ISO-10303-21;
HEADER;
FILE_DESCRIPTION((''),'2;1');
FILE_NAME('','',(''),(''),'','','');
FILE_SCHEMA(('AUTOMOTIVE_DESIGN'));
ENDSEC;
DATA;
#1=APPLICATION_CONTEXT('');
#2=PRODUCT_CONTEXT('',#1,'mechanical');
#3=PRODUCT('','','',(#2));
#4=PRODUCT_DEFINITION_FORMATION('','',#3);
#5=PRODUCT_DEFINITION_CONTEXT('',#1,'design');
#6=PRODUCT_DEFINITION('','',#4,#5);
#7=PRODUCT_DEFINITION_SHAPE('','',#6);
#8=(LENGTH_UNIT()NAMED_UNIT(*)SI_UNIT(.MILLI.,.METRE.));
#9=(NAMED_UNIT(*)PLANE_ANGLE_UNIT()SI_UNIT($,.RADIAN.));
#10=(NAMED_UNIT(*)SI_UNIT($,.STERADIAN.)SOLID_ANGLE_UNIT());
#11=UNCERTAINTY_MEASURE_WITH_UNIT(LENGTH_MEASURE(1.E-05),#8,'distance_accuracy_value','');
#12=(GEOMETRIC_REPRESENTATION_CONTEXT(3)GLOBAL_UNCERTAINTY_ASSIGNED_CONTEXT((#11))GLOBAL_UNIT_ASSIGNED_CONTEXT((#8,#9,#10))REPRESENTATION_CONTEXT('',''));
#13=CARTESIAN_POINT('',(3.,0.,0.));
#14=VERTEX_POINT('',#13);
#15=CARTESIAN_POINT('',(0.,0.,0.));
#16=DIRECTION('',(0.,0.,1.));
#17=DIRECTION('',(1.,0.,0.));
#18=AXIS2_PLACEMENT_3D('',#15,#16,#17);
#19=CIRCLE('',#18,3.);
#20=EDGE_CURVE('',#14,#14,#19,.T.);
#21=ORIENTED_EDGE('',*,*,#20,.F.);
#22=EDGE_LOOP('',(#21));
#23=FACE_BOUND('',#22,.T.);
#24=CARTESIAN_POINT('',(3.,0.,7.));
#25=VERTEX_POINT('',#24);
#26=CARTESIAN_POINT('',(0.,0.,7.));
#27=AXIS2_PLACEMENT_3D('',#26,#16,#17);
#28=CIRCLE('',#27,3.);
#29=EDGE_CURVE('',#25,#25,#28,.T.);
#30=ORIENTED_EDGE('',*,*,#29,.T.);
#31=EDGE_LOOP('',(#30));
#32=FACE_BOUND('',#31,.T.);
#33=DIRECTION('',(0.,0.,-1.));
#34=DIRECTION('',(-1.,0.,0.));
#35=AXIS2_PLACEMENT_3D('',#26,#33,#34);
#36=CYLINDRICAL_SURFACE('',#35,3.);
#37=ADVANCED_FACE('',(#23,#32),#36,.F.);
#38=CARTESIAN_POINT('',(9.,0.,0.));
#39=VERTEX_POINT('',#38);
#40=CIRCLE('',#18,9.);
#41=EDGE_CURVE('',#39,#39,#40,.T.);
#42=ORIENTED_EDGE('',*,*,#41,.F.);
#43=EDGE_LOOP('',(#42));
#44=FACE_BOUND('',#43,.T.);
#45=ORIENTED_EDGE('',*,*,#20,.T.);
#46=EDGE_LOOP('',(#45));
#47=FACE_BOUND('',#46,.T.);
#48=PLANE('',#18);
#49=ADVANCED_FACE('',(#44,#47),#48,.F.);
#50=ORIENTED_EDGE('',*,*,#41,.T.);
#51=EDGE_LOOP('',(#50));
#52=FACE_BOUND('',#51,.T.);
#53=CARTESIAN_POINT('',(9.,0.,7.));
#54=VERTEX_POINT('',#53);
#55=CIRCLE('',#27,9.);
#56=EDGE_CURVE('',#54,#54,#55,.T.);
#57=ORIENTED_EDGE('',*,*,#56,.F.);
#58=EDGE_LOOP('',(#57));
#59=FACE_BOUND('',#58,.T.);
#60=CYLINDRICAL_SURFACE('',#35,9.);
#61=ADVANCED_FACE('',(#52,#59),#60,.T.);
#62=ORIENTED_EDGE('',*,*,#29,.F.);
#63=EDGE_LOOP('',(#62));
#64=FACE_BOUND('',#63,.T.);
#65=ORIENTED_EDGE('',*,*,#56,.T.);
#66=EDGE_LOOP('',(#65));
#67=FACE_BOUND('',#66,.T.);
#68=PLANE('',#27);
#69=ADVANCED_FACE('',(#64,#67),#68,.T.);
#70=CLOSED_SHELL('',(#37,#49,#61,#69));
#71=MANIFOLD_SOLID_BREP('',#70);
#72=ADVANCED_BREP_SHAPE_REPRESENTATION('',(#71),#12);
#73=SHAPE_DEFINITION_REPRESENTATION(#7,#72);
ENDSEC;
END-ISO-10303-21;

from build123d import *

# Parameters (mm, degrees)
SKETCH_1_R      = 9
SKETCH_1_R_2    = 3
EXTRUDE_1_DEPTH = 7


with BuildPart() as part:
    # 草图1 → 凸台-拉伸1 (new body)
    with BuildSketch(Plane.XY):
        Circle(SKETCH_1_R)
        Circle(SKETCH_1_R_2, mode=Mode.SUBTRACT)
    extrude(amount=EXTRUDE_1_DEPTH)


solid = part.part
